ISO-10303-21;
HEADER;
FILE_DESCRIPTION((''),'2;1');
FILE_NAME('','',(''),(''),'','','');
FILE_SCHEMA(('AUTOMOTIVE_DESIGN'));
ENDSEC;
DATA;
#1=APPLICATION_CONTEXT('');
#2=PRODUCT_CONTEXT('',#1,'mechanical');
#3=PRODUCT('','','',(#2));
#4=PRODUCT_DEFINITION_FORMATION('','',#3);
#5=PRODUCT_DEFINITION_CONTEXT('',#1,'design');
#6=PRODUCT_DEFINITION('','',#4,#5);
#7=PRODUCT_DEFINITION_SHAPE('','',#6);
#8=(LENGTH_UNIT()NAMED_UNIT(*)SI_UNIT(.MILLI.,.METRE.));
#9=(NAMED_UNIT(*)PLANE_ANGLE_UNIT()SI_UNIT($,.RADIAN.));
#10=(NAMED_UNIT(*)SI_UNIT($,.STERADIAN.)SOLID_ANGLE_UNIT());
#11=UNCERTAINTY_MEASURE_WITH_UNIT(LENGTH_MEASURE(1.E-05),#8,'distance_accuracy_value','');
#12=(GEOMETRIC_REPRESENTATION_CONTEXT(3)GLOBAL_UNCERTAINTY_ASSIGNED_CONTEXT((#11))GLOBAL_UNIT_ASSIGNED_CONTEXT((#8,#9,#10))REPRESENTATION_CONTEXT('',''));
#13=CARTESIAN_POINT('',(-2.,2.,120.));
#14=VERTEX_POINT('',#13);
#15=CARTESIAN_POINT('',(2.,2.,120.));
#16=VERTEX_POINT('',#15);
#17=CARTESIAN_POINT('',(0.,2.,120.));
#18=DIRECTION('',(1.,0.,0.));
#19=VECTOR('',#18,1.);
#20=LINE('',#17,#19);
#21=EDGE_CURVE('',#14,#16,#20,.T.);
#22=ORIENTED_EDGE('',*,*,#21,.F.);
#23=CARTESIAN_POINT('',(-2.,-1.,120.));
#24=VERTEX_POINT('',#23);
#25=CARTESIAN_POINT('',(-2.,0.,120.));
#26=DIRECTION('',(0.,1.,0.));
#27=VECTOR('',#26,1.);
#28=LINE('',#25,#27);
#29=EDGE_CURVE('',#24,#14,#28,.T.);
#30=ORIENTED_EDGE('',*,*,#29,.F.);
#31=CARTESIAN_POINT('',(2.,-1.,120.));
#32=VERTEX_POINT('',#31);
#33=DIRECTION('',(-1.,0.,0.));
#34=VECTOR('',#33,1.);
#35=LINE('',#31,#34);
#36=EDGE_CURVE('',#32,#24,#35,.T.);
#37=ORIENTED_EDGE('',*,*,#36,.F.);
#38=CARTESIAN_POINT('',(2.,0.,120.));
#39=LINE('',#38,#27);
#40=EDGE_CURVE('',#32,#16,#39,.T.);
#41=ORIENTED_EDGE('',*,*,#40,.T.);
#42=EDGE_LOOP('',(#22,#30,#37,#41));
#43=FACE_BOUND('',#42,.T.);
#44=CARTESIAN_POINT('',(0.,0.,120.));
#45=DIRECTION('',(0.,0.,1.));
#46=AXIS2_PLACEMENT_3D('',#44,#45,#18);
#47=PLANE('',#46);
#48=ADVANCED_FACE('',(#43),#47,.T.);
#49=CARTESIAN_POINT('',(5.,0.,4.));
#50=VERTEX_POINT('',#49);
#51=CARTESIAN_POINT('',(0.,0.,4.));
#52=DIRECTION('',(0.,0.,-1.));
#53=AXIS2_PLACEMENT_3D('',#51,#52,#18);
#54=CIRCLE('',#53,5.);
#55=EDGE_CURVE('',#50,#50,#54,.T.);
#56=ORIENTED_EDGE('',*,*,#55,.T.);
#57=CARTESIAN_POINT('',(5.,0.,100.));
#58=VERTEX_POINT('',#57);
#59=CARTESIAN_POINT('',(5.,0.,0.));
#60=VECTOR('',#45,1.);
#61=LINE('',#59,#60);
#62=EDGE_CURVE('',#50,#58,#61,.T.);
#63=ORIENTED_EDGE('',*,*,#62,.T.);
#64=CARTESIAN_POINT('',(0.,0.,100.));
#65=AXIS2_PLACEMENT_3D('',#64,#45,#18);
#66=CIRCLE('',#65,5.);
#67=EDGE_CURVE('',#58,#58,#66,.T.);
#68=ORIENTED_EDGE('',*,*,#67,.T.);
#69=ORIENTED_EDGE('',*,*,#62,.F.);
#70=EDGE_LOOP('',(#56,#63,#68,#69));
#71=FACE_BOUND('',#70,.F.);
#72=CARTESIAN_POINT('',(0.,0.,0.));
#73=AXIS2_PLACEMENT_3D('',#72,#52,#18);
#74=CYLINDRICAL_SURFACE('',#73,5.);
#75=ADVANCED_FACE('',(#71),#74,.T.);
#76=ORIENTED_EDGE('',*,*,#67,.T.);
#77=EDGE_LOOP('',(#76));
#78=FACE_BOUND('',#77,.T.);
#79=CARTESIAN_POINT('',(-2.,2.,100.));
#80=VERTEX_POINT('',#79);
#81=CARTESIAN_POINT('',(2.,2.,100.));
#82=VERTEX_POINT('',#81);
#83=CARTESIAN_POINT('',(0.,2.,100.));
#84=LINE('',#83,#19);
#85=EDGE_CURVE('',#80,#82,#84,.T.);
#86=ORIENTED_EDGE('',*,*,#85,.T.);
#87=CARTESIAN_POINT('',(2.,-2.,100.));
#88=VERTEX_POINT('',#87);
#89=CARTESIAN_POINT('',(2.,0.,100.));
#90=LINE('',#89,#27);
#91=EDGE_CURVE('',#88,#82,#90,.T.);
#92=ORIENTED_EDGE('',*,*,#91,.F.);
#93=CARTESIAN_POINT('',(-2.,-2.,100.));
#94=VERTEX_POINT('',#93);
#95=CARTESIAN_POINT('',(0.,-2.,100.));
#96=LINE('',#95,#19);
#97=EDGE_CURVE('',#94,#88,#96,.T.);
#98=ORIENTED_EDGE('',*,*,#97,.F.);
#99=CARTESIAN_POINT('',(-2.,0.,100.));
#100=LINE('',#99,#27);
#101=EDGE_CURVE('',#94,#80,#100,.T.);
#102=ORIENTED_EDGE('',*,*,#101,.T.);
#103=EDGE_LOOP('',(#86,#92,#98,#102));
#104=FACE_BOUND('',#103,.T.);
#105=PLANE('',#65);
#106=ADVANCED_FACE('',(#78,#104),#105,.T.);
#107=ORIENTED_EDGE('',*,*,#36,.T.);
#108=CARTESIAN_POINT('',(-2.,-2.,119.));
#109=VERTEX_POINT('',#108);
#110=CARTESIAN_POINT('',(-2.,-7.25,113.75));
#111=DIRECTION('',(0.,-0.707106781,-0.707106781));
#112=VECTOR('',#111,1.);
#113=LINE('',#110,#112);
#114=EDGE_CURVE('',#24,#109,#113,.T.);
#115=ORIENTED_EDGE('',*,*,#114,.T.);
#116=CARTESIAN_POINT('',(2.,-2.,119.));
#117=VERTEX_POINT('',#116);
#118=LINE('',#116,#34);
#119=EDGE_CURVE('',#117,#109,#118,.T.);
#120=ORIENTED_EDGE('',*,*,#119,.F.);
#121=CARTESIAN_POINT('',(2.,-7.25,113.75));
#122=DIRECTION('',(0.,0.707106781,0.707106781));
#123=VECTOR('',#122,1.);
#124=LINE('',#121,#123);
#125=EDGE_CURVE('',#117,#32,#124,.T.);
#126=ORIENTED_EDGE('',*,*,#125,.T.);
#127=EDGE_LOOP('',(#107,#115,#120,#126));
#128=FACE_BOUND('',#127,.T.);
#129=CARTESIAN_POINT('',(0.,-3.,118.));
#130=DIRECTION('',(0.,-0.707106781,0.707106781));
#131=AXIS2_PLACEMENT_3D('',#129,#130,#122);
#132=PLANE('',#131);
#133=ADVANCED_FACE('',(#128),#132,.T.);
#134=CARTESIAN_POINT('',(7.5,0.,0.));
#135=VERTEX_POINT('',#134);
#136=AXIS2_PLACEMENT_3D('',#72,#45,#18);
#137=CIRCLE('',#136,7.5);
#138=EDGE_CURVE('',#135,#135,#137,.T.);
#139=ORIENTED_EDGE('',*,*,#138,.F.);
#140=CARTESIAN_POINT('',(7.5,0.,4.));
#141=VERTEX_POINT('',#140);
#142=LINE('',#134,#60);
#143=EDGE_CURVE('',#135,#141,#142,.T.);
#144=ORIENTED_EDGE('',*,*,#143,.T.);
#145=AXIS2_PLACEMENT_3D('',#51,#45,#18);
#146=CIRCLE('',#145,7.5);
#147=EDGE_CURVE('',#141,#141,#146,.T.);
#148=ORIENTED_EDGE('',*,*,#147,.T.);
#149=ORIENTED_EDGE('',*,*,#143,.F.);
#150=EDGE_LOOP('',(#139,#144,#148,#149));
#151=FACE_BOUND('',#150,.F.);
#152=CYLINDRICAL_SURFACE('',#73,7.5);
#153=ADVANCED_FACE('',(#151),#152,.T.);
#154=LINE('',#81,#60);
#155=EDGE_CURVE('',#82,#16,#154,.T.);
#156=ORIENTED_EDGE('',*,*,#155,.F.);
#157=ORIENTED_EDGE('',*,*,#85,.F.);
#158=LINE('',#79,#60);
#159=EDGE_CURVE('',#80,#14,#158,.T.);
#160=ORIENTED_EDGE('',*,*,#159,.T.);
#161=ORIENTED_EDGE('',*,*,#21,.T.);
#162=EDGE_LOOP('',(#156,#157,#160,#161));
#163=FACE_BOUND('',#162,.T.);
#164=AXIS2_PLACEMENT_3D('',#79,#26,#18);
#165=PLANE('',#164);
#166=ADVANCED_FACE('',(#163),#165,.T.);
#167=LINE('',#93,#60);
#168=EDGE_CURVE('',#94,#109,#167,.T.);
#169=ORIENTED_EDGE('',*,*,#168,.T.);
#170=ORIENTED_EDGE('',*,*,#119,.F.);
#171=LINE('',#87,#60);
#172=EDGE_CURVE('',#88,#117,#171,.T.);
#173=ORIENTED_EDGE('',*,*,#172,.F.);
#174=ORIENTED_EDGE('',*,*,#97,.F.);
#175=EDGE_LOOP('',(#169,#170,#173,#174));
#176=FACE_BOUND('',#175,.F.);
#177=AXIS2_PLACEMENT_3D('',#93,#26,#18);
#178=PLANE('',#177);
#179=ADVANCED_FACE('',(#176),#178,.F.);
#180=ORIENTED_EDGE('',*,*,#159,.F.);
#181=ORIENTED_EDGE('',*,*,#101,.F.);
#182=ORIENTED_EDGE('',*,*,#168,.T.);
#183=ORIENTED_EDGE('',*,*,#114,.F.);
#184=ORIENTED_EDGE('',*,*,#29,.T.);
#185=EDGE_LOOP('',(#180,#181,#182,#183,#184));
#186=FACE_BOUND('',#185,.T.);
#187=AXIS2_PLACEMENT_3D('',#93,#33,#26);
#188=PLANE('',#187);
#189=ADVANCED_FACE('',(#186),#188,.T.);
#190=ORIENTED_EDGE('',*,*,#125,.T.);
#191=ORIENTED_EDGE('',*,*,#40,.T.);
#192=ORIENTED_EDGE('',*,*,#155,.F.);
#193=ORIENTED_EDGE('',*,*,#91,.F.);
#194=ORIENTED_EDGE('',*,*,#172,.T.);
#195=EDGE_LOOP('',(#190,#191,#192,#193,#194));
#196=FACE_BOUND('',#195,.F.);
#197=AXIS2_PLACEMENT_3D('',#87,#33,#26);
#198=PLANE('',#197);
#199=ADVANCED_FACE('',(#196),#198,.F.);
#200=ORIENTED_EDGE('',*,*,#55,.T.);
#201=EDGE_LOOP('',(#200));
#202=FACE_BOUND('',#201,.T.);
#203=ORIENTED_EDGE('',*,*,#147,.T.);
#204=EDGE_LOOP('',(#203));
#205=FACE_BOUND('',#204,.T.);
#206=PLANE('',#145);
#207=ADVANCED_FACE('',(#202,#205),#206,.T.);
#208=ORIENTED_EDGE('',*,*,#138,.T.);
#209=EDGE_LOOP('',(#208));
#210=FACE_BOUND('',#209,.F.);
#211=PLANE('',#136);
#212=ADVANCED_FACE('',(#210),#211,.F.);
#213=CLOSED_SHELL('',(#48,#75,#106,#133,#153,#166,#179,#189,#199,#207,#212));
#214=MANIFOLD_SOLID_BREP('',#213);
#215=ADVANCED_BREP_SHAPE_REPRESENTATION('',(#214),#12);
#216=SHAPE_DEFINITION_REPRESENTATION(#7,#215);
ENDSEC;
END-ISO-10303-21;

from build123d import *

# Parameters (mm, degrees)
F0_R          = 7.5
F1_DEPTH      = 4
F2_R          = 5
F3_DEPTH      = 100
F4_W          = 4
F4_H          = 4
F5_DEPTH      = 20
F7_DEPTH      = 25
F7_DEPTH_BACK = 25


with BuildPart() as f1:
    # F0 (on Top) → F1 (new body)
    with BuildSketch(Plane.XY):
        Circle(F0_R)
    extrude(amount=F1_DEPTH)

    # F2 (on Top) → F3 (join)
    with BuildSketch(Plane.XY):
        Circle(F2_R)
    extrude(amount=F3_DEPTH)

    # F4 (on face) → F5 (join)
    with BuildSketch(Plane.XY.offset(100)):
        Rectangle(F4_W, F4_H)
    extrude(amount=F5_DEPTH)

    # F6 (on Right) → F7 (cut, two sides)
    with BuildSketch(Plane.YZ) as f7_sk:
        Polygon((0, 121), (-3, 121), (-3, 118), align=None)
    extrude(amount=-F7_DEPTH, mode=Mode.SUBTRACT)
    extrude(f7_sk.sketch, amount=F7_DEPTH_BACK, mode=Mode.SUBTRACT)


solid = f1.part
